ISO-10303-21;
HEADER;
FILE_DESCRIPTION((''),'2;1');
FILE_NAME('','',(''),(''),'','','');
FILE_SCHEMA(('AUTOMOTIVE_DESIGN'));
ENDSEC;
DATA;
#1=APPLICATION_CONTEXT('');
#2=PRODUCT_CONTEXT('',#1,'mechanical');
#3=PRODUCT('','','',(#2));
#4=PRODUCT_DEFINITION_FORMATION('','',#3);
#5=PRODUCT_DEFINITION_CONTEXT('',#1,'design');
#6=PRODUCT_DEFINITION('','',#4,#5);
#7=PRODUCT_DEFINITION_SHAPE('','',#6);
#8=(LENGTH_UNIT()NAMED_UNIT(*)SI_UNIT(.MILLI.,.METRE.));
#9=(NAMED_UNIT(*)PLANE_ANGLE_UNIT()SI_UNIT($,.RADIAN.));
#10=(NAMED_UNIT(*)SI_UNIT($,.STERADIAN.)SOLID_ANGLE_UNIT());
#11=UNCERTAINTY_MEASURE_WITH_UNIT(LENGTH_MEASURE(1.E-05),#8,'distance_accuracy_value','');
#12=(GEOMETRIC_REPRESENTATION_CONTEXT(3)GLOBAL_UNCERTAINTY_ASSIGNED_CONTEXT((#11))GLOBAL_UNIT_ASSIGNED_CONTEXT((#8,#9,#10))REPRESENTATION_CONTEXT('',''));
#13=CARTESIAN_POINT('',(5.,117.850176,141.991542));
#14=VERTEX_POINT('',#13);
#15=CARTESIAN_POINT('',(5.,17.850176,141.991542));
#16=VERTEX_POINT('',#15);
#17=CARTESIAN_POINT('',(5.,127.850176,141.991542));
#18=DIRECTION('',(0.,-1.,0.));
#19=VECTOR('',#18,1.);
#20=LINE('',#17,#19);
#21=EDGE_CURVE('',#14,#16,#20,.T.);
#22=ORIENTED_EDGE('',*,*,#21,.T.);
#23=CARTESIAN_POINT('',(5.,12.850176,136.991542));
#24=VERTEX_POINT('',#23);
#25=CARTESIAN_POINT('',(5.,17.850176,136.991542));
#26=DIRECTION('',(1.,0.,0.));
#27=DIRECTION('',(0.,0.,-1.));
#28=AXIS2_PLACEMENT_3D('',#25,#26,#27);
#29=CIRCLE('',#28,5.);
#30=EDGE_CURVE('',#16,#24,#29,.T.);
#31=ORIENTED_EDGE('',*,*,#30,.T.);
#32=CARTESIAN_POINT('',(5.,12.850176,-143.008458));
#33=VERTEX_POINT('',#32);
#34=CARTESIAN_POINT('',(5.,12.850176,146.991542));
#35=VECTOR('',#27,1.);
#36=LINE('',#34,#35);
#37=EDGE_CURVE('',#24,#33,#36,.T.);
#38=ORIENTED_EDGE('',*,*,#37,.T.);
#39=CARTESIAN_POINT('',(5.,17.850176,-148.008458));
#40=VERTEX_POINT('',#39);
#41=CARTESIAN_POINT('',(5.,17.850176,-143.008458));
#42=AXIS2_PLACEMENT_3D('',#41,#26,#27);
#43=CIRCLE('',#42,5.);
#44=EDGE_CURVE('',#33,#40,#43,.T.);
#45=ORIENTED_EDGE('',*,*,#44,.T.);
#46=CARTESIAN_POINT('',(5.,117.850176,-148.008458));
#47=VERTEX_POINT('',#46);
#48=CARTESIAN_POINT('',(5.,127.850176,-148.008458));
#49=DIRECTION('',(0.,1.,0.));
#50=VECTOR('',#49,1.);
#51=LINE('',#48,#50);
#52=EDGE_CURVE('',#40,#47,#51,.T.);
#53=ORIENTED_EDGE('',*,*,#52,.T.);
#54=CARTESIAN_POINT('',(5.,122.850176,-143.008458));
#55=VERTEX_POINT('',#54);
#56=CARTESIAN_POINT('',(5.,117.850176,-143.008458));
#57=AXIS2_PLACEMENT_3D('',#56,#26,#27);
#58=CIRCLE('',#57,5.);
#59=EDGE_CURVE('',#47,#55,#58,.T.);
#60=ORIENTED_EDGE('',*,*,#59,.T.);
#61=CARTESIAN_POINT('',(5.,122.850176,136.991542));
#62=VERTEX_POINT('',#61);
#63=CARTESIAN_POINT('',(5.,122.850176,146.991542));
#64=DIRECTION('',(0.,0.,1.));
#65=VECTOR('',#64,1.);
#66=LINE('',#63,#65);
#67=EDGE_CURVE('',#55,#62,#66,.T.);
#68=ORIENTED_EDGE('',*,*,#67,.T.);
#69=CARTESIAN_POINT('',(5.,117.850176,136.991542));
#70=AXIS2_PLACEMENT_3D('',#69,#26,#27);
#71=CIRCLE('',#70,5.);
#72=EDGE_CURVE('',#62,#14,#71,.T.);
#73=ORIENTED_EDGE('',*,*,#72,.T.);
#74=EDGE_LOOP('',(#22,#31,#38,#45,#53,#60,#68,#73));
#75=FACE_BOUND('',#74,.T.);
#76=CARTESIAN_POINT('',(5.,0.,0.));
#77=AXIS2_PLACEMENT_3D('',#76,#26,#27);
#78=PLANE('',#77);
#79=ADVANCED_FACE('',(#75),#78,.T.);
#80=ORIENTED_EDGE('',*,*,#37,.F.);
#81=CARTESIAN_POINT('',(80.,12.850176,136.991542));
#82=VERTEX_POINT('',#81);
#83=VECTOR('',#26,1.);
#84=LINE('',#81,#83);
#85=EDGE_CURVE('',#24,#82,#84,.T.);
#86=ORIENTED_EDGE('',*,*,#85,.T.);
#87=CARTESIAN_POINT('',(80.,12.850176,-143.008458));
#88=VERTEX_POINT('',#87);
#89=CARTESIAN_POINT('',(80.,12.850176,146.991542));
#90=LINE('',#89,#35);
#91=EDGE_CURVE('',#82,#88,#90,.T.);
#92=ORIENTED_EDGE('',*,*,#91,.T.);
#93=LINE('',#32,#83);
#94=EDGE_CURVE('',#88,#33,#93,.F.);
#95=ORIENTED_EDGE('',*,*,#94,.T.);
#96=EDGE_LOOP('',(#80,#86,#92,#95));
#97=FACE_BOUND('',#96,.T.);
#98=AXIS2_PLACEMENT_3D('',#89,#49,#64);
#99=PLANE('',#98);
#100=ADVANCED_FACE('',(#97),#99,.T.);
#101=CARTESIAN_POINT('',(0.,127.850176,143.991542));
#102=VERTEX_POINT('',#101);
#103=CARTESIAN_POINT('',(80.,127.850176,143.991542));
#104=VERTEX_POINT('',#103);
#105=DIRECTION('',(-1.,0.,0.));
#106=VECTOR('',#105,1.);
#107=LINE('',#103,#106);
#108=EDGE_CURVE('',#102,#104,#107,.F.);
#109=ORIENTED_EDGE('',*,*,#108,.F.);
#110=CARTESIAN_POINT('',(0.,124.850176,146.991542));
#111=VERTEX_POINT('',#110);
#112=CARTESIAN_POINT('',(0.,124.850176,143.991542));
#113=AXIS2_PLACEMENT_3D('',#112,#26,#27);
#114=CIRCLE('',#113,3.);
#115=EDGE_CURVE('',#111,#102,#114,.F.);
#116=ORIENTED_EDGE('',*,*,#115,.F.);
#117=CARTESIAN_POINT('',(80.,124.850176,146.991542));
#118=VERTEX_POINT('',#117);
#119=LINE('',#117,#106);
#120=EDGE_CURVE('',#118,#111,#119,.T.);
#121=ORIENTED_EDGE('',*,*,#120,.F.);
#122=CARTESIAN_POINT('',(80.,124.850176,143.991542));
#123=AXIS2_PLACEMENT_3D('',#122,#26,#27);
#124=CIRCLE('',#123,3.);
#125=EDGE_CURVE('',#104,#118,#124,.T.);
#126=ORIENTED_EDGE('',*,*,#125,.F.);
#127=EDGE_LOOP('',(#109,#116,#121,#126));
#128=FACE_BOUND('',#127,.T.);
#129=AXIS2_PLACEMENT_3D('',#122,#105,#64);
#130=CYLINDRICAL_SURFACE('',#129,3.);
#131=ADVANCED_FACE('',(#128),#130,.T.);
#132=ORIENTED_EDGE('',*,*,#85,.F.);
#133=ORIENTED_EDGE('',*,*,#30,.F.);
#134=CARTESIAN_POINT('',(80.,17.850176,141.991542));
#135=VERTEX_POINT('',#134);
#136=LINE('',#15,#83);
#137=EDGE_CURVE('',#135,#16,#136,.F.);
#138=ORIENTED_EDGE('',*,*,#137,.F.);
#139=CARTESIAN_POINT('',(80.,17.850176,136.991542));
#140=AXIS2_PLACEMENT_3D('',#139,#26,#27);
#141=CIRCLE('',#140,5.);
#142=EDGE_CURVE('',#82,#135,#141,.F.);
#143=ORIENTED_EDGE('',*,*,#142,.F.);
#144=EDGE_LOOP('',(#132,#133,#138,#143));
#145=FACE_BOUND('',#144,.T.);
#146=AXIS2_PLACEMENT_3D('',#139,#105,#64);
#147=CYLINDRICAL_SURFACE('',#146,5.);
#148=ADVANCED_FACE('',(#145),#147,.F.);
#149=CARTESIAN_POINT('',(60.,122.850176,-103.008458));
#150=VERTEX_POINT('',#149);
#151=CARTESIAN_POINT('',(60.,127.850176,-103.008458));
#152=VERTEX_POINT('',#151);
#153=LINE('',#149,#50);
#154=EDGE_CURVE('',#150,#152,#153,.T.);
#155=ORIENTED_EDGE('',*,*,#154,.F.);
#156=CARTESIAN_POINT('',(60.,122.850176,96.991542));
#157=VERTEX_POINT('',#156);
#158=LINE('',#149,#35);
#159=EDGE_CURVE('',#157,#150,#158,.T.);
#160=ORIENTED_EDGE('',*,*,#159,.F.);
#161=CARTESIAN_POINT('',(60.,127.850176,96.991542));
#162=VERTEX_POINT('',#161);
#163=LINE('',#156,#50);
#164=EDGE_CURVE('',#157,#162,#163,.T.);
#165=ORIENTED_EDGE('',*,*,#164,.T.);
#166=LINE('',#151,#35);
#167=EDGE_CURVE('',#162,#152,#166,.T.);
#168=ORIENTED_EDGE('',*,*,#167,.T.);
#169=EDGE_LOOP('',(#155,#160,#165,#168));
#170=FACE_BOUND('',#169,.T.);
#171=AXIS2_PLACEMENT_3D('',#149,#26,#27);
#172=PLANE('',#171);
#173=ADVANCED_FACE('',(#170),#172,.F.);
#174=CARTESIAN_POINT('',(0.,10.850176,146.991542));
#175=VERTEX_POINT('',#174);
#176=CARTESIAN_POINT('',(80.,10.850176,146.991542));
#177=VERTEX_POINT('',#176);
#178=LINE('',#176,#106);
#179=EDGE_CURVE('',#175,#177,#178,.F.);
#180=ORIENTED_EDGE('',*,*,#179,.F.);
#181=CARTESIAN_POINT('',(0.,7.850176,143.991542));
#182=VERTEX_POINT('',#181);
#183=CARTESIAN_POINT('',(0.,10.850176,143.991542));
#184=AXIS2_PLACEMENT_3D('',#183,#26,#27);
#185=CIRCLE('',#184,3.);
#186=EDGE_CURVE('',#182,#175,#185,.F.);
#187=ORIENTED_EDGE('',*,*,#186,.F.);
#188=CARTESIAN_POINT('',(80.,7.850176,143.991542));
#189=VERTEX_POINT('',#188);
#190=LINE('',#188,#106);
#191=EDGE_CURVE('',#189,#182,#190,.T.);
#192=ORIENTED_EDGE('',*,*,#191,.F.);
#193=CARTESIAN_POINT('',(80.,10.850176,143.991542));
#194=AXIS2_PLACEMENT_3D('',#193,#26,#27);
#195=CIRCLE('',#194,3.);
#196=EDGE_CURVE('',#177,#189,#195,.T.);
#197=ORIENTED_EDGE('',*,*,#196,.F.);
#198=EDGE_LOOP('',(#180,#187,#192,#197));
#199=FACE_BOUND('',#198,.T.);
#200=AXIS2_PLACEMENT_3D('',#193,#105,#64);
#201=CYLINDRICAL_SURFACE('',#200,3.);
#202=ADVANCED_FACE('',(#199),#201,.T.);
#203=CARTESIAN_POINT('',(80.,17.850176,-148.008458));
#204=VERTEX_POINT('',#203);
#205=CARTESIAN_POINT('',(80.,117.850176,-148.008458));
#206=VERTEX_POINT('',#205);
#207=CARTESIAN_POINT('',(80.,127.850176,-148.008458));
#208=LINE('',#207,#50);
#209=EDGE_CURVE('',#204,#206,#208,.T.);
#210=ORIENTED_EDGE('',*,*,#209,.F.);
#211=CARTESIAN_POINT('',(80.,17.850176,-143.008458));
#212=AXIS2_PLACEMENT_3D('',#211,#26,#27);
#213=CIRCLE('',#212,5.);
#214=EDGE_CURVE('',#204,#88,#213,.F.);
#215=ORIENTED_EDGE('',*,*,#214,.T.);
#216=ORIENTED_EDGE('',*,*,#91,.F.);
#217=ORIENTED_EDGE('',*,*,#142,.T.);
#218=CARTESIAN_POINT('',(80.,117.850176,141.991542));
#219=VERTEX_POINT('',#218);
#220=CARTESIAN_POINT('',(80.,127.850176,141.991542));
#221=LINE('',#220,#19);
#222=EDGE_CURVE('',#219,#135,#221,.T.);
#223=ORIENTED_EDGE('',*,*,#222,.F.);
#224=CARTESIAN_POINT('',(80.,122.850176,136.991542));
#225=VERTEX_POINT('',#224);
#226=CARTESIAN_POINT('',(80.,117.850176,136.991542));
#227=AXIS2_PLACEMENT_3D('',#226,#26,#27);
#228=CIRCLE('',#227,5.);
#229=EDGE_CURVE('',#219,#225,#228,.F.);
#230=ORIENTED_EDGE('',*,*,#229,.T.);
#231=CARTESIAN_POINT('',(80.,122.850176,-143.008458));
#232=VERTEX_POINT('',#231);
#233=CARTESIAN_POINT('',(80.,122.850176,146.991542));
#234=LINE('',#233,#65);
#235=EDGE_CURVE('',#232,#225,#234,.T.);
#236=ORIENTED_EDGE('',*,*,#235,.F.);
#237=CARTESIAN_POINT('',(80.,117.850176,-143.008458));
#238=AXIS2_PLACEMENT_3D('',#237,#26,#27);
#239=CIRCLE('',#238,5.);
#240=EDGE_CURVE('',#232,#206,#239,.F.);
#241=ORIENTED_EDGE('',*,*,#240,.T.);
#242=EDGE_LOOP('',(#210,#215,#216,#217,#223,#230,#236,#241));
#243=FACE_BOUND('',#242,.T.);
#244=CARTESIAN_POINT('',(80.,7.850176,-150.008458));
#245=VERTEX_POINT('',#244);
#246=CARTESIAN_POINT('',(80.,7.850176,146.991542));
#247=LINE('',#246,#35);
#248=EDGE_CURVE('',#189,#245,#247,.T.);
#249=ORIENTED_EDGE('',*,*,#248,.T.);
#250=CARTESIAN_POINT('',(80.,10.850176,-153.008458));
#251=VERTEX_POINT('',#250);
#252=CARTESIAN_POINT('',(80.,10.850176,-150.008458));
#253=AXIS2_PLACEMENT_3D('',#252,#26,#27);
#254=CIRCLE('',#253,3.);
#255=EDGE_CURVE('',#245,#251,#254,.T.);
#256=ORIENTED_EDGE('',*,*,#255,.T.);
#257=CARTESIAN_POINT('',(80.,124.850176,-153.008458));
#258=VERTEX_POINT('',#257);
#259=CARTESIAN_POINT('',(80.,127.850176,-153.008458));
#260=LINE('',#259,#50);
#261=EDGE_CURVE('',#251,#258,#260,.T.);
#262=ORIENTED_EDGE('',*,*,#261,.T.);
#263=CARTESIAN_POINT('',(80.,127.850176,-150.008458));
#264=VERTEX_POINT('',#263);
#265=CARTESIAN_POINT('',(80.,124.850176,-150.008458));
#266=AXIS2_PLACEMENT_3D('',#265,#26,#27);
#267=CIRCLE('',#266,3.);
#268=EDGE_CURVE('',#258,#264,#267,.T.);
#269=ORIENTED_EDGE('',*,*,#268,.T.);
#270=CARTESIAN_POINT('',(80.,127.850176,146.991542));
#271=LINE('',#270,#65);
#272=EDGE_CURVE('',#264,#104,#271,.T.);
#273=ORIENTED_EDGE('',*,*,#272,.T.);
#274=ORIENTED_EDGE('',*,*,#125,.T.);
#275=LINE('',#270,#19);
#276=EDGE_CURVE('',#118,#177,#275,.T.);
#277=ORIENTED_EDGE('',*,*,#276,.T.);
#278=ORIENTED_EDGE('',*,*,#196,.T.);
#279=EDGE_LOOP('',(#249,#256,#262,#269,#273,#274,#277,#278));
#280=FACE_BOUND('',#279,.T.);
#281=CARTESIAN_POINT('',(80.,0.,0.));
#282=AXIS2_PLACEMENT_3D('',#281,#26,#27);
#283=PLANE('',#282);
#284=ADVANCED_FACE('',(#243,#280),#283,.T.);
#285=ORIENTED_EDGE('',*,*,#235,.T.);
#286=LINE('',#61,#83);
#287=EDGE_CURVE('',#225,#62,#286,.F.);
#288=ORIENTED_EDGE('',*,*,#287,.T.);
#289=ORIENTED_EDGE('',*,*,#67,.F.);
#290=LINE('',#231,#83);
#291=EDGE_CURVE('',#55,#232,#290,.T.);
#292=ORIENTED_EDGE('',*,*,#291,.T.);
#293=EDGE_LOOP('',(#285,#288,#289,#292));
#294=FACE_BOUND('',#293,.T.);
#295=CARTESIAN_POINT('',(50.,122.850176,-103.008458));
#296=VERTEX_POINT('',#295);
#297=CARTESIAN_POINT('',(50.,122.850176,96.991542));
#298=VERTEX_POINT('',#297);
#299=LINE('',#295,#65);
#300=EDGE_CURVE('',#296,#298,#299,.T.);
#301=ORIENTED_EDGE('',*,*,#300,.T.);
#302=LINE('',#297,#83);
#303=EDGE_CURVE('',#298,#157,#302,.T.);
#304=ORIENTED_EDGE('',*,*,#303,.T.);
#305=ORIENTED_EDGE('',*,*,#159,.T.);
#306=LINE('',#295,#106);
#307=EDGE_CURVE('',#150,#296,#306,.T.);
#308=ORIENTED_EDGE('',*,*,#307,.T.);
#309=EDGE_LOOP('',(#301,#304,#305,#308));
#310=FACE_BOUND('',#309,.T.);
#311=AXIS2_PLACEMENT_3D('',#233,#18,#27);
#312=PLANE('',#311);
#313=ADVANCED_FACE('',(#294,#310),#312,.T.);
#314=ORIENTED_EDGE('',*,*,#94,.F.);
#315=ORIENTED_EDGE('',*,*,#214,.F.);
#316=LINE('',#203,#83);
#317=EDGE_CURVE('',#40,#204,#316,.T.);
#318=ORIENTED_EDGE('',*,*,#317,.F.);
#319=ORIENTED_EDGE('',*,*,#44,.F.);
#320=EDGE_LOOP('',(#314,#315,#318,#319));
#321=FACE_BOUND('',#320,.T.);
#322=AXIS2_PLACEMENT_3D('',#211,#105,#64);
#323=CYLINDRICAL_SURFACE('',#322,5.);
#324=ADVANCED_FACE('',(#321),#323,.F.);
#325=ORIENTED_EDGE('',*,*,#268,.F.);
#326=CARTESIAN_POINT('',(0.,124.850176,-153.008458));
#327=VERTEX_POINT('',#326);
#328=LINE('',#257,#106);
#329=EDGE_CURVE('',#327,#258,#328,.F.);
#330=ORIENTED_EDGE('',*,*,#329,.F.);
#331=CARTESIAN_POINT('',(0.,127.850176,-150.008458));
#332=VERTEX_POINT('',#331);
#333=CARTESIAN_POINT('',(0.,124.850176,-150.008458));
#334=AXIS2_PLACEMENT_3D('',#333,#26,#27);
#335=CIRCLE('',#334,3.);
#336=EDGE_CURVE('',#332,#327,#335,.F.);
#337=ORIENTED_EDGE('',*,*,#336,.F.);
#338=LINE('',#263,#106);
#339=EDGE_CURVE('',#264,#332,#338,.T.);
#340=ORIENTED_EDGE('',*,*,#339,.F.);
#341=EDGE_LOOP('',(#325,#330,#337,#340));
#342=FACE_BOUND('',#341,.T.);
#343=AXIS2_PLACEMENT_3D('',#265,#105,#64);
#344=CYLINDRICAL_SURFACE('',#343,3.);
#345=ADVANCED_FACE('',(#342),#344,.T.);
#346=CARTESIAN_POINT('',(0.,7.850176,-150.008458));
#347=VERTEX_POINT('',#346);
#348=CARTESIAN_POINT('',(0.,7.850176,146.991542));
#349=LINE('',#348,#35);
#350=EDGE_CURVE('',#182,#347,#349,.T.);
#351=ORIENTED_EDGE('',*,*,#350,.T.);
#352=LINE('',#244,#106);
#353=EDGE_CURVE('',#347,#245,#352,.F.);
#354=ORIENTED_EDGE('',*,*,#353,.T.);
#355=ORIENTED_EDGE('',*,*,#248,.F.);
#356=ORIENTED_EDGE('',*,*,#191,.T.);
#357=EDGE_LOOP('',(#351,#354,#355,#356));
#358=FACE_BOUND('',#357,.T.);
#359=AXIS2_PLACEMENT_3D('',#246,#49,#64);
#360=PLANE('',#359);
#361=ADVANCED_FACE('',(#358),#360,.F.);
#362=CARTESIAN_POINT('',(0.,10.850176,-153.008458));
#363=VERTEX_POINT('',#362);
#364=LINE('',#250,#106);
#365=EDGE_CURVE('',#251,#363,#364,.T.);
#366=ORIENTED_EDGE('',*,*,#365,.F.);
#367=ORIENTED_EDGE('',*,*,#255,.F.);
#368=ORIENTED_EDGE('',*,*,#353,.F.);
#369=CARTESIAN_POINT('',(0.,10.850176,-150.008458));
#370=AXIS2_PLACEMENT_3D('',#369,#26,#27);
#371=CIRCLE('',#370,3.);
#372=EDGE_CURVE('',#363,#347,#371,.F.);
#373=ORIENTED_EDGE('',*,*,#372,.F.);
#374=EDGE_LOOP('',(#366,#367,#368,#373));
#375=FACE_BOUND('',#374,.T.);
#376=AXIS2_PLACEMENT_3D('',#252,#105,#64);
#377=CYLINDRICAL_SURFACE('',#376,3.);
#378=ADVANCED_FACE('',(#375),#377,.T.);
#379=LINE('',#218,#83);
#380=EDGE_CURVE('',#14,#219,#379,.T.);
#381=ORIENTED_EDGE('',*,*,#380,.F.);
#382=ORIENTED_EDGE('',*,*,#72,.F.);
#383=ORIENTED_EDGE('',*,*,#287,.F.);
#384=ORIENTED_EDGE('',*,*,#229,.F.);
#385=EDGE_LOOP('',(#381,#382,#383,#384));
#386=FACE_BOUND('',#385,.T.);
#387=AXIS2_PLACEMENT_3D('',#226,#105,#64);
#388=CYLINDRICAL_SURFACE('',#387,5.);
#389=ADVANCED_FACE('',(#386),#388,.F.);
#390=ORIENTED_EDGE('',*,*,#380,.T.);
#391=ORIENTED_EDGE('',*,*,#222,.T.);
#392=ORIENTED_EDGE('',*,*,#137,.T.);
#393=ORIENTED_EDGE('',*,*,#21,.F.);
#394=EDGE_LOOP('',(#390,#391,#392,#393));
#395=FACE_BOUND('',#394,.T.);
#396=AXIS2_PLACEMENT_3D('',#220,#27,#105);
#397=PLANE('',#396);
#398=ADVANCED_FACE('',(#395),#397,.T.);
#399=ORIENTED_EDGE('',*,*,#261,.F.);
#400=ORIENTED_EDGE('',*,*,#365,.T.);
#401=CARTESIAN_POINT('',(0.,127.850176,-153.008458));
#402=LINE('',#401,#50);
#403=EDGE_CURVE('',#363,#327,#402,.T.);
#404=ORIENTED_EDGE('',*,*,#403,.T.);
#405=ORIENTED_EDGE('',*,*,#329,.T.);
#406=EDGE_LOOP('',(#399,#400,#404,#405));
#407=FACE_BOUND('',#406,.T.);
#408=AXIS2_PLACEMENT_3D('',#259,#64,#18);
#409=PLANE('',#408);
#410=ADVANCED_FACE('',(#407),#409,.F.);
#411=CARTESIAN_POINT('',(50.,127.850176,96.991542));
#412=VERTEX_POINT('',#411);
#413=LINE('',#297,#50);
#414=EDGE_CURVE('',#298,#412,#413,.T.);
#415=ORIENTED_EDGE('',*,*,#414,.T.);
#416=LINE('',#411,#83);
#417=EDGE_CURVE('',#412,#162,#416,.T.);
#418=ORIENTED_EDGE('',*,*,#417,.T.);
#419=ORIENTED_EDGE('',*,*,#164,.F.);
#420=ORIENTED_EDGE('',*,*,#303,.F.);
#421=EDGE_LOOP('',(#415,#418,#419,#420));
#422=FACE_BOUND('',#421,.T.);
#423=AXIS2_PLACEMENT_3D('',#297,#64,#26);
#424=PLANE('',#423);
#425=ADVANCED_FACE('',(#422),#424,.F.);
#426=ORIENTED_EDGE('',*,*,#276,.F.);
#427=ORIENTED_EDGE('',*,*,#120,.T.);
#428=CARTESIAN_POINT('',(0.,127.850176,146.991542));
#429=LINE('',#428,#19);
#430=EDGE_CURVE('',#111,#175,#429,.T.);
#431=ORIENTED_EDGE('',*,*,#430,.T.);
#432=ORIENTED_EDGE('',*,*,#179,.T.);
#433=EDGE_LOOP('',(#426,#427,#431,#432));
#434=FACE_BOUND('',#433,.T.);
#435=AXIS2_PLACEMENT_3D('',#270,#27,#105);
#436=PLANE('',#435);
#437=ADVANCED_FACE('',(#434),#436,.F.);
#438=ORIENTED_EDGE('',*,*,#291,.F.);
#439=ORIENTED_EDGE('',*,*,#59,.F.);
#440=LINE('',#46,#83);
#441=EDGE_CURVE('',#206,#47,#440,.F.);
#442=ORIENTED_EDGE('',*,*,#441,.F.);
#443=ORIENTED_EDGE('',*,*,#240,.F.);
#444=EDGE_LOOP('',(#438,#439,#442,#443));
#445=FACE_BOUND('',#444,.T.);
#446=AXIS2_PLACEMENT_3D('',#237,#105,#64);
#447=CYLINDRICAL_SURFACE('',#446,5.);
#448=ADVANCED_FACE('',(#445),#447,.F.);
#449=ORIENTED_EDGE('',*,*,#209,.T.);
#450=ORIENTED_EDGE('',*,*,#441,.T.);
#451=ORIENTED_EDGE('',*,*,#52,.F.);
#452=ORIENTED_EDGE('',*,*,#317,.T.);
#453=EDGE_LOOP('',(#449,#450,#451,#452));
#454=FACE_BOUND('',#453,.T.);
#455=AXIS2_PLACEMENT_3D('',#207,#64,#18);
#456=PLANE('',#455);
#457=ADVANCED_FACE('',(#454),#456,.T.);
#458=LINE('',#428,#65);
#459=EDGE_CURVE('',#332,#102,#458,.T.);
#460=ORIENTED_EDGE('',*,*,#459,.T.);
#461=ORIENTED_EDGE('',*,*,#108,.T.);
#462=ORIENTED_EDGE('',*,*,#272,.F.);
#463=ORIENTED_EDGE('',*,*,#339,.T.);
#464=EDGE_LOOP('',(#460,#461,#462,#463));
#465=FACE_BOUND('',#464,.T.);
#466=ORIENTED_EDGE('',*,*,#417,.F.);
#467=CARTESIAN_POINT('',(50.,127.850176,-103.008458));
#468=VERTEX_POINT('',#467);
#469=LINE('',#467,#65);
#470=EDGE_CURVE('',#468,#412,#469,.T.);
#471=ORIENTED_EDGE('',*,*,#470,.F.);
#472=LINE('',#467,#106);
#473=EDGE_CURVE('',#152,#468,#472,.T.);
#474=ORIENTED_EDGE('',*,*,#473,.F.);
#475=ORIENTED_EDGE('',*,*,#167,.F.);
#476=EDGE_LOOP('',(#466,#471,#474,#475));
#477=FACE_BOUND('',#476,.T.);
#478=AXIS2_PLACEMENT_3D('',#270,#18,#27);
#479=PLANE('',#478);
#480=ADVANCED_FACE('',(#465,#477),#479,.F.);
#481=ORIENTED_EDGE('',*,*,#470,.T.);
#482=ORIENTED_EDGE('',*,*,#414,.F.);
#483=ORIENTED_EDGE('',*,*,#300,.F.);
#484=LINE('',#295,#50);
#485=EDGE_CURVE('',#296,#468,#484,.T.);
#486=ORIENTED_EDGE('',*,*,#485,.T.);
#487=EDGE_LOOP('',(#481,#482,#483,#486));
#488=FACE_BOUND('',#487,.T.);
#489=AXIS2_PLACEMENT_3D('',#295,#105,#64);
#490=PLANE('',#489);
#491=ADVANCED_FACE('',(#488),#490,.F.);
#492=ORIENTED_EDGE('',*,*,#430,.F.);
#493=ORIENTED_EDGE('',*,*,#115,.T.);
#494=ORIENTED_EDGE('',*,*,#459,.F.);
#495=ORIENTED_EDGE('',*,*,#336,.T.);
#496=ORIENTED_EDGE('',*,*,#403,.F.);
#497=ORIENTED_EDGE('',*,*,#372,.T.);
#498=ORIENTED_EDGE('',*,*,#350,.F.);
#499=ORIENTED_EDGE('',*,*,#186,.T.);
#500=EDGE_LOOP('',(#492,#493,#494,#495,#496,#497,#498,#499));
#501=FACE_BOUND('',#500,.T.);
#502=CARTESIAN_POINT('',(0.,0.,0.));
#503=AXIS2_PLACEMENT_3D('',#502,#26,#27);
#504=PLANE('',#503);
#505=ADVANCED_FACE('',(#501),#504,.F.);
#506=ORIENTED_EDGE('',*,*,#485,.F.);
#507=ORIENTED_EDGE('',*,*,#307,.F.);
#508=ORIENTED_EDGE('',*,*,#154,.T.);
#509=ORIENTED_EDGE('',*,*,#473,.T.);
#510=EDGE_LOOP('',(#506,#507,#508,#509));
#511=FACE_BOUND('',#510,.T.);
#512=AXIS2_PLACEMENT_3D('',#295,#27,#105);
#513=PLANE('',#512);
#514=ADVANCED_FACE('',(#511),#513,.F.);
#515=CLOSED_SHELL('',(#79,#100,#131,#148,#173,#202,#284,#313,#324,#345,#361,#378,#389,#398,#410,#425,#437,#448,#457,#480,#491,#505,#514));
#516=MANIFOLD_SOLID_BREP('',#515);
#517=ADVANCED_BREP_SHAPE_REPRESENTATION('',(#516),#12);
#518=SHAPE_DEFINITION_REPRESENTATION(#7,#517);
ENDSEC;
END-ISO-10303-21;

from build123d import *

# Parameters (mm, degrees)
SKETCH_1_W          = 300
SKETCH_1_H          = 120
EXTRUDE_1_DEPTH     = 80
FILLET_1_R          = 3
SHELL_1_T           = -5
FILLET_2_R          = 5
SKETCH_3_W          = 10
SKETCH_3_H          = 200
CUT_EXTRUDE_1_DEPTH = 5


with BuildPart() as part:
    # 草图1 → 凸台-拉伸1 (new body)
    with BuildSketch(Plane(origin=(0, 0, 0), x_dir=(0, 0, -1), z_dir=(1, 0, 0))):
        with Locations((3.008457619, 67.850176247)):
            Rectangle(SKETCH_1_W, SKETCH_1_H)
    extrude(amount=EXTRUDE_1_DEPTH)

    # 圆角1
    fillet_1_edges = [part.edges().sort_by_distance(p)[0] for p in [
        (40, 127.850176247, 146.991542381),
        (40, 127.850176247, -153.008457619),
        (40, 7.850176247, -153.008457619),
        (40, 7.850176247, 146.991542381),
    ]]
    fillet(fillet_1_edges, radius=FILLET_1_R)

    # 抽壳1
    shell_1_openings = [part.faces().sort_by_distance(p)[0] for p in [
        (80, 67.850176247, -3.008457619),
    ]]
    offset(amount=SHELL_1_T, openings=shell_1_openings, kind=Kind.INTERSECTION)

    # 圆角2
    fillet_2_edges = [part.edges().sort_by_distance(p)[0] for p in [
        (42.5, 12.850176247, 141.991542381),
        (42.5, 12.850176247, -148.008457619),
        (42.5, 122.850176247, -148.008457619),
        (42.5, 122.850176247, 141.991542381),
    ]]
    fillet(fillet_2_edges, radius=FILLET_2_R)

    # 草图3 → 切除-拉伸1 (cut)
    with BuildSketch(Plane(origin=(0, 127.850176247, 0), x_dir=(1, 0, 0), z_dir=(0, 1, 0))):
        with Locations((55, 3.008457619)):
            Rectangle(SKETCH_3_W, SKETCH_3_H)
    extrude(amount=-CUT_EXTRUDE_1_DEPTH, mode=Mode.SUBTRACT)


solid = part.part
